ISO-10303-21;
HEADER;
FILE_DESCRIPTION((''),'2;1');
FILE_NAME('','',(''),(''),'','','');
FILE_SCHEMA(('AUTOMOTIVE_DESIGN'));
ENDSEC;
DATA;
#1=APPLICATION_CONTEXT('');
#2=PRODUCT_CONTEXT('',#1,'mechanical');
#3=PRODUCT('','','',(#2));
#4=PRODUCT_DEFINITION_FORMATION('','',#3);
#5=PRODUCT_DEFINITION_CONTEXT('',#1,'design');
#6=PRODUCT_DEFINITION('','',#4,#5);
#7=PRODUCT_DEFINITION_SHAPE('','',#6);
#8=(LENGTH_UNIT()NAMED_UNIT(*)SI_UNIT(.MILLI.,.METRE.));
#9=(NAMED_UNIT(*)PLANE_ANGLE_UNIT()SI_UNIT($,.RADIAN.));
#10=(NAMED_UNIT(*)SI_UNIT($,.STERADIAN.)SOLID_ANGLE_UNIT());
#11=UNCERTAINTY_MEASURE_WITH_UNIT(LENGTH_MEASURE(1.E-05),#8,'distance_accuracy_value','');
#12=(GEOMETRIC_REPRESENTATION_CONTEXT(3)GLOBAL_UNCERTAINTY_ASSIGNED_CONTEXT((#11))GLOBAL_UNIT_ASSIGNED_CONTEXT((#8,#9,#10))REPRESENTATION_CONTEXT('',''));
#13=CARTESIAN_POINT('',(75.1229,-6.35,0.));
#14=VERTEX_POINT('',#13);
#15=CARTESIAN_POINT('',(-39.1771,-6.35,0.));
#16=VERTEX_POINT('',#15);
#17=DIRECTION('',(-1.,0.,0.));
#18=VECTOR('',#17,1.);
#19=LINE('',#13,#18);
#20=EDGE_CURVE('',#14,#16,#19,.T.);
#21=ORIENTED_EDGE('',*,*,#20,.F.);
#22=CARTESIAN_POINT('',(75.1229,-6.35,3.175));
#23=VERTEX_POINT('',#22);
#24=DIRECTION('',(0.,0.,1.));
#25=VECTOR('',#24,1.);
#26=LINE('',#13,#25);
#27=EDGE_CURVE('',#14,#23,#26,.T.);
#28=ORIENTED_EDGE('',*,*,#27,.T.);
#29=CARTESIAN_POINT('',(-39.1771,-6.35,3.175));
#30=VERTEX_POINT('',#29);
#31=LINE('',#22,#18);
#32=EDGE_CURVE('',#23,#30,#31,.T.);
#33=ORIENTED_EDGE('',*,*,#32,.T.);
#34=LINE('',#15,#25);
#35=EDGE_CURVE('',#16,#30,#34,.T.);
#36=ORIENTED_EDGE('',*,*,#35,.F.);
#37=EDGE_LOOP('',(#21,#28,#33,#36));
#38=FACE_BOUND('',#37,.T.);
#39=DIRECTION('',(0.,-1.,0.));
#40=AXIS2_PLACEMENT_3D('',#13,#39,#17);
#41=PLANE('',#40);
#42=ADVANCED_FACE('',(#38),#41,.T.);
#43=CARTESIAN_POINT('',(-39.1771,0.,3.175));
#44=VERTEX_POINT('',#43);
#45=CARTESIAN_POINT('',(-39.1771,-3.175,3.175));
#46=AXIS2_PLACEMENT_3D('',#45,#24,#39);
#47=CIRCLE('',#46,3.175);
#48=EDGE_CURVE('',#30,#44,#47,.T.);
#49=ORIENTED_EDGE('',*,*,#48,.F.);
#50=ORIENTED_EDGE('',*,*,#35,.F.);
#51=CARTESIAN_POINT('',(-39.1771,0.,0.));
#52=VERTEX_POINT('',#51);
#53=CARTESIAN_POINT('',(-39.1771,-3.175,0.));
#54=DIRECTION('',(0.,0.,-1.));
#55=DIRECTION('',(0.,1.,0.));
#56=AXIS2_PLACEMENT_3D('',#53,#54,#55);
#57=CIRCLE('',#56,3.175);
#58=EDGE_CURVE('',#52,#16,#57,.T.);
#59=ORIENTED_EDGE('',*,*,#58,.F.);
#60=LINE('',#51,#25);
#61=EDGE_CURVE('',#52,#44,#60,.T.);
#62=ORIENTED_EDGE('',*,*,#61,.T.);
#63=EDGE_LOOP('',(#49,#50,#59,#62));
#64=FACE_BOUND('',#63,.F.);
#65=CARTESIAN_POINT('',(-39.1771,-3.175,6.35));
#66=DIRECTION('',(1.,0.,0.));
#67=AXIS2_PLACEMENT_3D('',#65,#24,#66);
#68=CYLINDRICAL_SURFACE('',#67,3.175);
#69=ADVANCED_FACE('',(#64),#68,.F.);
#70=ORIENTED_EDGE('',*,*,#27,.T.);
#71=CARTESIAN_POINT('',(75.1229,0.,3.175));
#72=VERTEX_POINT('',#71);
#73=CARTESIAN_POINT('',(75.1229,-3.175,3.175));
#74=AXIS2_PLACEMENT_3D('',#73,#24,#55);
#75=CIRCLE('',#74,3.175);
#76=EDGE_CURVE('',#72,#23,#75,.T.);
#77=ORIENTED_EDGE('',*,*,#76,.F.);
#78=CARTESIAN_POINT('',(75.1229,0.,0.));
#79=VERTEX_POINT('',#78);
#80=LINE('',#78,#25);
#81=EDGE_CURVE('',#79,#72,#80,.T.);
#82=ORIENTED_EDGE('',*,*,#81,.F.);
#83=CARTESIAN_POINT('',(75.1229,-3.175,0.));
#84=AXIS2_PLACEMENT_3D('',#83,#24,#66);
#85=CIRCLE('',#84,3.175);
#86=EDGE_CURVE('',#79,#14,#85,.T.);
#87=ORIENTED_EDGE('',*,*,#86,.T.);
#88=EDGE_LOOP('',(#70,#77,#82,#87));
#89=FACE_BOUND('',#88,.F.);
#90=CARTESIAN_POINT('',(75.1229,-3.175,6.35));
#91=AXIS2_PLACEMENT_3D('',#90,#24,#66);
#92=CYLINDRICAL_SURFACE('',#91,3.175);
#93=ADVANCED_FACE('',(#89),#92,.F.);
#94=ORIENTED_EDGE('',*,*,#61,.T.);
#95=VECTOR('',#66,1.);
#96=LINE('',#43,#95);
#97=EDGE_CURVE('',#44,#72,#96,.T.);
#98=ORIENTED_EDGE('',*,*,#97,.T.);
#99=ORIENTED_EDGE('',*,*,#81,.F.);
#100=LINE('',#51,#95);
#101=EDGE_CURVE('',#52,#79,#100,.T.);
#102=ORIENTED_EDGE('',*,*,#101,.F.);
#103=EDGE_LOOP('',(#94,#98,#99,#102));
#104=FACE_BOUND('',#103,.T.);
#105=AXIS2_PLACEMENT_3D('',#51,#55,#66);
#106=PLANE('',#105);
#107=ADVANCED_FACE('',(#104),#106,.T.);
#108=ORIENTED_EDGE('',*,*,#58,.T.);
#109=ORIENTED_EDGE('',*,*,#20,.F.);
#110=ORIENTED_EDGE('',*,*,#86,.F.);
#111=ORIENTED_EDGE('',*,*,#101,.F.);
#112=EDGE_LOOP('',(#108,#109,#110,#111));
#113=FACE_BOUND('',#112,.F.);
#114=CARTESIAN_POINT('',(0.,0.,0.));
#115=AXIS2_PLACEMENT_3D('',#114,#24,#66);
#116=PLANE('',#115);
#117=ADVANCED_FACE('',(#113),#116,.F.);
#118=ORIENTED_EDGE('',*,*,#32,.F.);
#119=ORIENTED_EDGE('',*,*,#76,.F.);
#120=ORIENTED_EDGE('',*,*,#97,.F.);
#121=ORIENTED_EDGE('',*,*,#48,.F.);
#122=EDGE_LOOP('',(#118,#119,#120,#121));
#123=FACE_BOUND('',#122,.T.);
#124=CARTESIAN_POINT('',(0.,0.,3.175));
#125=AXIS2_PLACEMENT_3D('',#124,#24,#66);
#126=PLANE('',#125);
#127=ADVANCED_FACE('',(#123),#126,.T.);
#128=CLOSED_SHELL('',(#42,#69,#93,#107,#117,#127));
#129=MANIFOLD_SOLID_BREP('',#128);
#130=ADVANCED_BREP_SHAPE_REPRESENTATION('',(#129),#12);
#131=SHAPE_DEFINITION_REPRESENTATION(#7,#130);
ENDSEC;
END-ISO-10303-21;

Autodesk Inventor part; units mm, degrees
ref_plane "YZ Plane" through (0, 0, 0) normal (1, 0, 0) x (0, 1, 0)
ref_plane "XZ Plane" through (0, 0, 0) normal (0, 1, 0) x (-1, 0, 0)
ref_plane "XY Plane" through (0, 0, 0) normal (0, 0, 1) x (1, 0, 0)
sketch "Sketch1" plane through (0, 0, 0) normal (0, 0, 1) x (1, 0, 0)
  line L0 (-39.1771, 0) -> (75.1229, 0)
  line L1 (75.1229, 0) -> (75.1229, -6.35)
  line L2 (75.1229, -6.35) -> (-39.1771, -6.35)
  line L3 (-39.1771, -6.35) -> (-39.1771, 0)
  point P0 (0, 0)
  dimension "d0" = 114.3
  dimension "d1" = 6.35
extrude "Extrusion1" add sketch "Sketch1" along normal blind 6.35
sketch "Sketch2" plane through (0, 0, 6.35) normal (0, 0, 1) x (1, 0, 0)
  line L0 (75.1229, 0) -> (75.1229, -6.35) projected
  line L1 (-39.1771, -6.35) -> (-39.1771, 0) projected
  line L2 (-39.1771, 0) -> (-39.1771, -3.175)
  line L3 (-39.1771, -3.175) -> (75.1229, -3.175)
  circle A0 centre (-39.1771, -3.175) radius 3.175
  circle A1 centre (75.1229, -3.175) radius 3.175
  point P0 (0, 0)
  dimension "d4" = 3.175
extrude "Extrusion2" cut sketch "Sketch2" against normal blind 6.35
sketch "Sketch3" plane through (0, 0, 6.35) normal (0, 0, 1) x (1, 0, 0)
  arc A0 (-39.1771, -6.35) -> (-39.1771, 0) centre (-39.1771, -3.175) ccw projected
  line L0 (75.1229, -6.35) -> (-39.1771, -6.35) projected
  arc A1 (75.1229, 0) -> (75.1229, -6.35) centre (75.1229, -3.175) ccw projected
  line L1 (-39.1771, 0) -> (75.1229, 0) projected
  point P0 (0, 0)
extrude "Extrusion3" cut sketch "Sketch3" against normal blind 3.175
properties part number "bar"
